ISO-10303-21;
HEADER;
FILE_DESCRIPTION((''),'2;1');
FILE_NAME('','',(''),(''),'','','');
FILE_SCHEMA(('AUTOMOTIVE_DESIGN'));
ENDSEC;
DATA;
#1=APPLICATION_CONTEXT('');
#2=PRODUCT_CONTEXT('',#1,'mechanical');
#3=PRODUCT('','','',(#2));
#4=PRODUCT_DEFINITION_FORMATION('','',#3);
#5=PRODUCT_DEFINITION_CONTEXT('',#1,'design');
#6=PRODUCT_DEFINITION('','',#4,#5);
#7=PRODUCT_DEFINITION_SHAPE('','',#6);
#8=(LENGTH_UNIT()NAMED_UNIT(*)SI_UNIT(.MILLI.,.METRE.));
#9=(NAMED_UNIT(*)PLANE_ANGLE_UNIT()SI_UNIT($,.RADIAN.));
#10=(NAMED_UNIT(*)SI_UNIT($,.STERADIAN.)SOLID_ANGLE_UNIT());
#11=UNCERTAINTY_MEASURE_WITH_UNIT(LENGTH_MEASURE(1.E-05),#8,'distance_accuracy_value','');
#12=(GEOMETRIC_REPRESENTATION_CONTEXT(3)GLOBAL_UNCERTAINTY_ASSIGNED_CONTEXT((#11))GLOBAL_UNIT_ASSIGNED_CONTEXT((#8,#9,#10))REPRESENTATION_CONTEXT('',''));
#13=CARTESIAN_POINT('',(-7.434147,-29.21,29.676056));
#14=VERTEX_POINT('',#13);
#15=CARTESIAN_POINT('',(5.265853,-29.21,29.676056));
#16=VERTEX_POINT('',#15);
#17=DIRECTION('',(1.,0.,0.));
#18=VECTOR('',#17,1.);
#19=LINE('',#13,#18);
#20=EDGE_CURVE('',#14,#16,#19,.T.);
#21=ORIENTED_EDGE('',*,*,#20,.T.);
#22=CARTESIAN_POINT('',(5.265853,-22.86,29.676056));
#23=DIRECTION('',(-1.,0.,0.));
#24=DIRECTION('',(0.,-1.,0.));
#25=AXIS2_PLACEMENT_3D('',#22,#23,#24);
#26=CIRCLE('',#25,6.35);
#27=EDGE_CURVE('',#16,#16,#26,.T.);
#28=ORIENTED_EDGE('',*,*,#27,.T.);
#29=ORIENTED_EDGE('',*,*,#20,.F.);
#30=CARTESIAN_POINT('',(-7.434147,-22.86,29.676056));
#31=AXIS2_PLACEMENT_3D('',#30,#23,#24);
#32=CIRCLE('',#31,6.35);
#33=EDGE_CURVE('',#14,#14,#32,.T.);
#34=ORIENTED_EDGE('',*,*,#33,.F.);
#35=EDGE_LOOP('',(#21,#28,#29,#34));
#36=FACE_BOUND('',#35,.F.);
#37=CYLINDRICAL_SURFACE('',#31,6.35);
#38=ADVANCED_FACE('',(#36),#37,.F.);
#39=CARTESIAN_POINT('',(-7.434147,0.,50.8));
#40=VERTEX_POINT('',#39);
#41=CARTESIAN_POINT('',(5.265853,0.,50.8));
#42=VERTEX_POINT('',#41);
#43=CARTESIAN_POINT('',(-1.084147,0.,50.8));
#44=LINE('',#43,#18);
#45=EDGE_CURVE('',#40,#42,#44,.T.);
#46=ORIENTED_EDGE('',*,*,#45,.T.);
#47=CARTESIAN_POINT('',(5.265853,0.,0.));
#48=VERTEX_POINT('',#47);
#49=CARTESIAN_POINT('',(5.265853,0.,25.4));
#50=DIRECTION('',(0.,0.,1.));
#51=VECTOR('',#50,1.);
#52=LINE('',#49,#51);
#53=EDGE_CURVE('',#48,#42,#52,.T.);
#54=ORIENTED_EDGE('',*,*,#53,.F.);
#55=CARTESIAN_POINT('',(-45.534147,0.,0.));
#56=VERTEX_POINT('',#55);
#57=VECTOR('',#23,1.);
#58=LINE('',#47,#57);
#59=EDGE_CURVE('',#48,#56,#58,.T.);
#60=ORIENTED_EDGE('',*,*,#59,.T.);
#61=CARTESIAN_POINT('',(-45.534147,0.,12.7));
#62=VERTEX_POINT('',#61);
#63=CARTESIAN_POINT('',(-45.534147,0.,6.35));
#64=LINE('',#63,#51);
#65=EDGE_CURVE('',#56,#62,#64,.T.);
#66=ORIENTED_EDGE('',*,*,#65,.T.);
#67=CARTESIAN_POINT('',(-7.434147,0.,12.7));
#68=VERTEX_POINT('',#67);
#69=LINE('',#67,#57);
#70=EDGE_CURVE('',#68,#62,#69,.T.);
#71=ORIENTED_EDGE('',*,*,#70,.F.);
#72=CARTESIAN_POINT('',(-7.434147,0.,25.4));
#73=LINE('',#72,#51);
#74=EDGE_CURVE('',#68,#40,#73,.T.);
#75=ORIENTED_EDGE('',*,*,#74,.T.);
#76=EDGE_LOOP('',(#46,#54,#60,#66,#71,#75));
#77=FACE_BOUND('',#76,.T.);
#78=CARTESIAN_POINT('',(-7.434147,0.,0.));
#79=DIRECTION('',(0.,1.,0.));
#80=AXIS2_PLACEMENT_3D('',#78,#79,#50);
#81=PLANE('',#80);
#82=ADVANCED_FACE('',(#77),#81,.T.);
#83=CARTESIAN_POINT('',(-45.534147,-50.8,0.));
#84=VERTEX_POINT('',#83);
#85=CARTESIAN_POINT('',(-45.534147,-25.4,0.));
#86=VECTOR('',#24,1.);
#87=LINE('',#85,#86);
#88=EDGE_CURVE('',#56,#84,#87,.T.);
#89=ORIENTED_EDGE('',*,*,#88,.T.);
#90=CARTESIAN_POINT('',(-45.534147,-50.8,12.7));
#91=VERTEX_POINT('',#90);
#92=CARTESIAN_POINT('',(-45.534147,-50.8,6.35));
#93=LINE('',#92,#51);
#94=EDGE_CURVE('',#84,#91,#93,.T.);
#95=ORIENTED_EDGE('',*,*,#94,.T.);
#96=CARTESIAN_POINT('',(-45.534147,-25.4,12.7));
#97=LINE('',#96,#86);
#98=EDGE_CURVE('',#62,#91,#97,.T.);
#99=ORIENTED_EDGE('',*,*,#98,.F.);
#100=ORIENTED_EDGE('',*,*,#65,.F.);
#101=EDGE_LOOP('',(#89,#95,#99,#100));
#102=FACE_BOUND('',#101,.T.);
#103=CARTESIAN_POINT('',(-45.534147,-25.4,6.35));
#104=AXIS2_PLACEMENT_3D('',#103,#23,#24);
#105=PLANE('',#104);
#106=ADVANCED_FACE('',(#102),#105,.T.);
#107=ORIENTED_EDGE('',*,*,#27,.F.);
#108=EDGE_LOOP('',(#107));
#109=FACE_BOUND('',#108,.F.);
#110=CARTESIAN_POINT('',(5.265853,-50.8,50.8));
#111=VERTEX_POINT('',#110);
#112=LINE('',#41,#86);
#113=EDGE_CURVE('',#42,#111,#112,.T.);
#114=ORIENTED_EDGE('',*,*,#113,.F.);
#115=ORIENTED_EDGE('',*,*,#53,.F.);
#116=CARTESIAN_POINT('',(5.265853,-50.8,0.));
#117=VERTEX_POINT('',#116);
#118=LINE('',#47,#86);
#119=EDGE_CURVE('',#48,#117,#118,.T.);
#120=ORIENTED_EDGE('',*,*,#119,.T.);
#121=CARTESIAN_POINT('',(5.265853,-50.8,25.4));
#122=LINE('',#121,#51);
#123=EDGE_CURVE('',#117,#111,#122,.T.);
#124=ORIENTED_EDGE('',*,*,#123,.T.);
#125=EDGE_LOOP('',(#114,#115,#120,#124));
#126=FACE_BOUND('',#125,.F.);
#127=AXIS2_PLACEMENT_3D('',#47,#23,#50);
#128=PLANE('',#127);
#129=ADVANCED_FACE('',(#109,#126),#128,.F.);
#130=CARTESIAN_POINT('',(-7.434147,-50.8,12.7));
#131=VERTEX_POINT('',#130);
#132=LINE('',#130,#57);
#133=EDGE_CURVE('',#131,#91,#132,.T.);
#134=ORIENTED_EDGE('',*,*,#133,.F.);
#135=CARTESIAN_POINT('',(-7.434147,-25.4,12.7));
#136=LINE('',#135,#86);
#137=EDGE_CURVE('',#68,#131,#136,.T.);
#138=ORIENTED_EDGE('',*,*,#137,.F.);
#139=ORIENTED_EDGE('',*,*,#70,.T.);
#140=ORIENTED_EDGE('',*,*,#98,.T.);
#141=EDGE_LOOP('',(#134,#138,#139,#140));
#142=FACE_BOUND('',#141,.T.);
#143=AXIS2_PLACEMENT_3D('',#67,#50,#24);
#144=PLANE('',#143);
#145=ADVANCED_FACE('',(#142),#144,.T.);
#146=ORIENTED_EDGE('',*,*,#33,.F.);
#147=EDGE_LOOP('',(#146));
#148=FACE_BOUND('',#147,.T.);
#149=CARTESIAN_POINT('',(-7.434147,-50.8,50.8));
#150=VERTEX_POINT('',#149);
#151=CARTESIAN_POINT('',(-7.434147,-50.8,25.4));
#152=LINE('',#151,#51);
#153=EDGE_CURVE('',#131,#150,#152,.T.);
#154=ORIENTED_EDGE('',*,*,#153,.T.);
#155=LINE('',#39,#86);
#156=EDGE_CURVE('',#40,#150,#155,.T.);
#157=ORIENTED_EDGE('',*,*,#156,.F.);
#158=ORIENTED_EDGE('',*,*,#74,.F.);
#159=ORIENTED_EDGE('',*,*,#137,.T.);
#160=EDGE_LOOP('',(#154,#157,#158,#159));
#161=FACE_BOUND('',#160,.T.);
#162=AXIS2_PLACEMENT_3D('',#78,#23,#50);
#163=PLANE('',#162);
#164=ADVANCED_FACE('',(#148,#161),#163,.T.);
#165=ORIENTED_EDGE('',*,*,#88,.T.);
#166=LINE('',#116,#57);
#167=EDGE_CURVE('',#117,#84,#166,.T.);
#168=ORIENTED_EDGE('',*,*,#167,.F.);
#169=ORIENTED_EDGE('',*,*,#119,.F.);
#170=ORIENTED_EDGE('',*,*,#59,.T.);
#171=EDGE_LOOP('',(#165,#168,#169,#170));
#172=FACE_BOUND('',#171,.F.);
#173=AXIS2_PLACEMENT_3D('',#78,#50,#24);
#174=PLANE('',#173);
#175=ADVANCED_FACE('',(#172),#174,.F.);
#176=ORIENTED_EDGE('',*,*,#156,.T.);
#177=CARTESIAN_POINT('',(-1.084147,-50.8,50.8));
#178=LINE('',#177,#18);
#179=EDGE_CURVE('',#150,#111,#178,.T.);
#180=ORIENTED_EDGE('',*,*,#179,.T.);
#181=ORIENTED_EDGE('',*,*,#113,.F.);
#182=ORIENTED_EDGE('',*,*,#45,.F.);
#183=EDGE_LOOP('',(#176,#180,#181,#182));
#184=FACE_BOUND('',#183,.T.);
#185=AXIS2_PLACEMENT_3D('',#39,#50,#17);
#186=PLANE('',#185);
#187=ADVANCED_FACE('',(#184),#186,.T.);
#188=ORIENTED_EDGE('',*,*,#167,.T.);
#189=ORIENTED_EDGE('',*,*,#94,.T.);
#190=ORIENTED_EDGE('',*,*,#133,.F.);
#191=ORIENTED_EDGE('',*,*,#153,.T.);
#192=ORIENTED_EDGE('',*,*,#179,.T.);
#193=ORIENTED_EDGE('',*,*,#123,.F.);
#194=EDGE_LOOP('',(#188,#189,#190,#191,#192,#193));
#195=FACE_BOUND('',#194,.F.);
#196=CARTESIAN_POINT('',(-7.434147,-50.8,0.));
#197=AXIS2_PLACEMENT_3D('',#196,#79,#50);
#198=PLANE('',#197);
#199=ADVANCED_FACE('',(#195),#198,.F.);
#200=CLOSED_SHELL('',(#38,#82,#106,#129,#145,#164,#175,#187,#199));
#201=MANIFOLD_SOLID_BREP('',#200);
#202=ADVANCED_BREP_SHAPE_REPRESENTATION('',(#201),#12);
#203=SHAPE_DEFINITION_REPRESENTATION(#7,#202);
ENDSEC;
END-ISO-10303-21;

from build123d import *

# Parameters (mm, degrees)
F0_W     = 12.7
F0_H     = 50.8
F1_DEPTH = 50.8
F2_W     = 50.8
F2_H     = 12.7
F3_DEPTH = 38.1
F4_R     = 6.35
F5_DEPTH = 25.4


with BuildPart() as f1:
    # F0 (on Front) → F1 (new body)
    with BuildSketch(Plane.XZ):
        with Locations((-1.084147, 25.4)):
            Rectangle(F0_W, F0_H)
    extrude(amount=F1_DEPTH)

    # F2 (on face) → F3 (join)
    with BuildSketch(Plane(origin=(-7.434147, 0, 0), x_dir=(0, -1, 0), z_dir=(-1, 0, 0))):
        with Locations((25.4, 6.35)):
            Rectangle(F2_W, F2_H)
    extrude(amount=F3_DEPTH)

    # F4 (on face) → F5 (cut)
    with BuildSketch(Plane(origin=(-7.434147, 0, 0), x_dir=(0, -1, 0), z_dir=(-1, 0, 0))):
        with Locations((22.86, 29.676056)):
            Circle(F4_R)
    extrude(amount=-F5_DEPTH, mode=Mode.SUBTRACT)


solid = f1.part
